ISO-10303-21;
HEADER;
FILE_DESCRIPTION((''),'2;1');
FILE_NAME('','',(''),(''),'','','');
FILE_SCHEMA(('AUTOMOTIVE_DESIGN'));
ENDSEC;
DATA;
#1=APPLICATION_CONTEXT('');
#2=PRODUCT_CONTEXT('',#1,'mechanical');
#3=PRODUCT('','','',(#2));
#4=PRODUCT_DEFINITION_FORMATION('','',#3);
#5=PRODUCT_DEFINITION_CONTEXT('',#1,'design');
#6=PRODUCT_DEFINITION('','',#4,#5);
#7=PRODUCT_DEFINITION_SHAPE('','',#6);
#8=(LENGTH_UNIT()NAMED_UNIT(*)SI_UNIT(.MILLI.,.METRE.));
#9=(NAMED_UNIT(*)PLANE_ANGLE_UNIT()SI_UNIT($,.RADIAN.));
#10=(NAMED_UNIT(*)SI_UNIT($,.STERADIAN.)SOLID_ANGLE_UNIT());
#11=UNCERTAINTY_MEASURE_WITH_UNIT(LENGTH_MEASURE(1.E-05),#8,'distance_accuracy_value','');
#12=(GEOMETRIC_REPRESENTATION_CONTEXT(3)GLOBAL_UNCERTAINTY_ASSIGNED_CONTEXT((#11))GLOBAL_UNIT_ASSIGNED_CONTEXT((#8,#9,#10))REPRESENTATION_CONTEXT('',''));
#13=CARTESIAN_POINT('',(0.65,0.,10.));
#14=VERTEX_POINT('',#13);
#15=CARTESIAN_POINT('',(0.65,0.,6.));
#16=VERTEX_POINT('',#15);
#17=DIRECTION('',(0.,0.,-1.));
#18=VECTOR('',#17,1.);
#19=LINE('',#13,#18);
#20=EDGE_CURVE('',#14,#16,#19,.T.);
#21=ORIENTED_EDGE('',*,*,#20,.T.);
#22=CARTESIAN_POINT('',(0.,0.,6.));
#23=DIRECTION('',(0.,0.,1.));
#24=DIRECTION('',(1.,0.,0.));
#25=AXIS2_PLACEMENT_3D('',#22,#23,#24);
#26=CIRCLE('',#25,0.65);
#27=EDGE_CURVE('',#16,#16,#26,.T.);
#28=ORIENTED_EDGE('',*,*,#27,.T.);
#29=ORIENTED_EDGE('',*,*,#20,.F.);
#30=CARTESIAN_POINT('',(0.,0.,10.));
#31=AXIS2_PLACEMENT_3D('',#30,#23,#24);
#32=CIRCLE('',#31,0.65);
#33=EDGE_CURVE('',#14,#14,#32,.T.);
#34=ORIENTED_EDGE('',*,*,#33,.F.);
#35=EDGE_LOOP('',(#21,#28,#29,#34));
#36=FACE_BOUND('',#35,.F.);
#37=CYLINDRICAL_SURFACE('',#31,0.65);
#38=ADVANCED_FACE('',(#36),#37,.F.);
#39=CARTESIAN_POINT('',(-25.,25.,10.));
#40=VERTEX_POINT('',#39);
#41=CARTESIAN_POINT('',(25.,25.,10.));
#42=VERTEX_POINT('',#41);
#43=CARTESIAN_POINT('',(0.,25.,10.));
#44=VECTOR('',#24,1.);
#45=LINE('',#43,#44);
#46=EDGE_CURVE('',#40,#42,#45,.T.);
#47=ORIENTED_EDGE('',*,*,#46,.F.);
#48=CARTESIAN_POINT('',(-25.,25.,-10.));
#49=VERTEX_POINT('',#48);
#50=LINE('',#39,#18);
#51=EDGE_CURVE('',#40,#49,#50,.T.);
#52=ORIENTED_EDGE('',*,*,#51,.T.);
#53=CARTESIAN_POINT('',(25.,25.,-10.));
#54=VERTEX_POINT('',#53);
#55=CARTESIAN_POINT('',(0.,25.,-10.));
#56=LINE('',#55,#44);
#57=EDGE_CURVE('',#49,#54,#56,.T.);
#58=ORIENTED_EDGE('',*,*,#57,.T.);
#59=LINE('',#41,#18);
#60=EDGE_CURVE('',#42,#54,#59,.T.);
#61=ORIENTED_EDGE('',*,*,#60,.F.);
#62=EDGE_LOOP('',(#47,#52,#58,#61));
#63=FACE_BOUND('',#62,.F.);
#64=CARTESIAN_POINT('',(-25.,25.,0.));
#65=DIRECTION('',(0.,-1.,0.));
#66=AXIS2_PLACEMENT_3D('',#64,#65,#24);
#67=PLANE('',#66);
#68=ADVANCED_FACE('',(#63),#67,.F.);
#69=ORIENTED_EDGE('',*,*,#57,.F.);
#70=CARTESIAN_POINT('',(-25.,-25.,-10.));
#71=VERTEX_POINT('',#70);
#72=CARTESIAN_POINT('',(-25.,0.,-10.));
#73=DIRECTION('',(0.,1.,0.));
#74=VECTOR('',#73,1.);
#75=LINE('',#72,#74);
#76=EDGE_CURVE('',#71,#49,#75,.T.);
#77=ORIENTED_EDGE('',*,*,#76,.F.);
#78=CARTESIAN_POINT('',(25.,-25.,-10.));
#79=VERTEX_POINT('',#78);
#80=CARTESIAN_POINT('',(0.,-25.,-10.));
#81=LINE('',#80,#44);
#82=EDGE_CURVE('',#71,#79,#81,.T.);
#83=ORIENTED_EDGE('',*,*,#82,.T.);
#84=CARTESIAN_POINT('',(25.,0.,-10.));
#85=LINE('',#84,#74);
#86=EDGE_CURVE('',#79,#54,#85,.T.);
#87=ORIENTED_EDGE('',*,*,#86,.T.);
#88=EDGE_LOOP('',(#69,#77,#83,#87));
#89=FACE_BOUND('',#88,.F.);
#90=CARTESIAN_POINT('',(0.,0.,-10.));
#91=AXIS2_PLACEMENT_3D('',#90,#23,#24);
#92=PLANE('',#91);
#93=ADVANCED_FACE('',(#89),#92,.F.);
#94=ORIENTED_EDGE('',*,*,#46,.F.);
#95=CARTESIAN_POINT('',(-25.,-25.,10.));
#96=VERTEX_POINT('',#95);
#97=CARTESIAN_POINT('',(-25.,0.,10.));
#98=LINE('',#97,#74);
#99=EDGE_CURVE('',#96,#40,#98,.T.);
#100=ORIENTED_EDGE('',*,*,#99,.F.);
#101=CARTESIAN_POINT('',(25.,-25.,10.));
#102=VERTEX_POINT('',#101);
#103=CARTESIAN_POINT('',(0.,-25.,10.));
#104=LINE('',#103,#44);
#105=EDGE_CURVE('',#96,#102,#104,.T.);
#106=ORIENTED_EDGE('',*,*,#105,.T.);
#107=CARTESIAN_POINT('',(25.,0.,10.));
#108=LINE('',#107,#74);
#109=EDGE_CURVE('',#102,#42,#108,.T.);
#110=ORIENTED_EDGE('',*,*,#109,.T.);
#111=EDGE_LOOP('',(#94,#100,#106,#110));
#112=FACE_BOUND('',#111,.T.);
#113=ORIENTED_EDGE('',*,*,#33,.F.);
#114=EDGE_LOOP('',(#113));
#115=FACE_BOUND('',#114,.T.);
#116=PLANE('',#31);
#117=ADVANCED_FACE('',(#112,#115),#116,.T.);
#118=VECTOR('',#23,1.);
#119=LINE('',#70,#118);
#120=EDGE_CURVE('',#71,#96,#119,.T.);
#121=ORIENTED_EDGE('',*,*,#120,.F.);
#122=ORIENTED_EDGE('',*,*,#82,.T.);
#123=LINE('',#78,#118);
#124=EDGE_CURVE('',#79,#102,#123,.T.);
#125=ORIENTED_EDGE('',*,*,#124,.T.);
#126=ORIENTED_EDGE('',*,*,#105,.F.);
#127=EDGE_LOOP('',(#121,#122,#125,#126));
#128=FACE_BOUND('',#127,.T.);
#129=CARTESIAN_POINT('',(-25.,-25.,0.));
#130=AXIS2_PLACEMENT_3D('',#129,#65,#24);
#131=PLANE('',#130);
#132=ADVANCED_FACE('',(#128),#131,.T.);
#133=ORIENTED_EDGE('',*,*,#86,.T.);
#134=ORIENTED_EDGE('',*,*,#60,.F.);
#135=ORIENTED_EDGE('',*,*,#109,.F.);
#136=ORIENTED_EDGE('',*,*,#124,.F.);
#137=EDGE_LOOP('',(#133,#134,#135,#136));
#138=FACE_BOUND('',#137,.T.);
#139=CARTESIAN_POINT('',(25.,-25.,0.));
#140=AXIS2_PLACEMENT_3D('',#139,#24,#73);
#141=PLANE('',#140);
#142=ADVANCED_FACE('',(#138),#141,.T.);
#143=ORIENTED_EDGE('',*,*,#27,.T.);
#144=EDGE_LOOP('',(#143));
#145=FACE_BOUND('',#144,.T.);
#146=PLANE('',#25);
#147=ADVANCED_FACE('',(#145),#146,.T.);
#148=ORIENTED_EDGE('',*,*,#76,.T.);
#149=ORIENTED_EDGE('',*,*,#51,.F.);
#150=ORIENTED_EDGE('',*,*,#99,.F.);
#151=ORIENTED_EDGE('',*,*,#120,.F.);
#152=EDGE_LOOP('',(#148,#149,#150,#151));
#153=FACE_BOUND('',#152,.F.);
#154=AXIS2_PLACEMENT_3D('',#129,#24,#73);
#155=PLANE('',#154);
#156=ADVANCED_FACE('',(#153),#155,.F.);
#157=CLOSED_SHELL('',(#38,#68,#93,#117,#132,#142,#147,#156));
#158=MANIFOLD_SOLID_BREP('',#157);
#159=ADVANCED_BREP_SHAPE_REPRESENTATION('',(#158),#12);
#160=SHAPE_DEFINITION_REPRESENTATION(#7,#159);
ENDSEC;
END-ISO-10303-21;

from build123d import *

# Parameters (mm, degrees)
F0_W     = 50
F0_H     = 50
F1_DEPTH = 10
F2_R     = 0.65
F3_DEPTH = 4


with BuildPart() as f1:
    # F0 (on Top) → F1 (new body, symmetric)
    with BuildSketch(Plane.XY):
        Rectangle(F0_W, F0_H)
    extrude(amount=F1_DEPTH, both=True)

    # F2 (on face) → F3 (cut)
    with BuildSketch(Plane.XY.offset(10)):
        Circle(F2_R)
    extrude(amount=-F3_DEPTH, mode=Mode.SUBTRACT)


solid = f1.part
